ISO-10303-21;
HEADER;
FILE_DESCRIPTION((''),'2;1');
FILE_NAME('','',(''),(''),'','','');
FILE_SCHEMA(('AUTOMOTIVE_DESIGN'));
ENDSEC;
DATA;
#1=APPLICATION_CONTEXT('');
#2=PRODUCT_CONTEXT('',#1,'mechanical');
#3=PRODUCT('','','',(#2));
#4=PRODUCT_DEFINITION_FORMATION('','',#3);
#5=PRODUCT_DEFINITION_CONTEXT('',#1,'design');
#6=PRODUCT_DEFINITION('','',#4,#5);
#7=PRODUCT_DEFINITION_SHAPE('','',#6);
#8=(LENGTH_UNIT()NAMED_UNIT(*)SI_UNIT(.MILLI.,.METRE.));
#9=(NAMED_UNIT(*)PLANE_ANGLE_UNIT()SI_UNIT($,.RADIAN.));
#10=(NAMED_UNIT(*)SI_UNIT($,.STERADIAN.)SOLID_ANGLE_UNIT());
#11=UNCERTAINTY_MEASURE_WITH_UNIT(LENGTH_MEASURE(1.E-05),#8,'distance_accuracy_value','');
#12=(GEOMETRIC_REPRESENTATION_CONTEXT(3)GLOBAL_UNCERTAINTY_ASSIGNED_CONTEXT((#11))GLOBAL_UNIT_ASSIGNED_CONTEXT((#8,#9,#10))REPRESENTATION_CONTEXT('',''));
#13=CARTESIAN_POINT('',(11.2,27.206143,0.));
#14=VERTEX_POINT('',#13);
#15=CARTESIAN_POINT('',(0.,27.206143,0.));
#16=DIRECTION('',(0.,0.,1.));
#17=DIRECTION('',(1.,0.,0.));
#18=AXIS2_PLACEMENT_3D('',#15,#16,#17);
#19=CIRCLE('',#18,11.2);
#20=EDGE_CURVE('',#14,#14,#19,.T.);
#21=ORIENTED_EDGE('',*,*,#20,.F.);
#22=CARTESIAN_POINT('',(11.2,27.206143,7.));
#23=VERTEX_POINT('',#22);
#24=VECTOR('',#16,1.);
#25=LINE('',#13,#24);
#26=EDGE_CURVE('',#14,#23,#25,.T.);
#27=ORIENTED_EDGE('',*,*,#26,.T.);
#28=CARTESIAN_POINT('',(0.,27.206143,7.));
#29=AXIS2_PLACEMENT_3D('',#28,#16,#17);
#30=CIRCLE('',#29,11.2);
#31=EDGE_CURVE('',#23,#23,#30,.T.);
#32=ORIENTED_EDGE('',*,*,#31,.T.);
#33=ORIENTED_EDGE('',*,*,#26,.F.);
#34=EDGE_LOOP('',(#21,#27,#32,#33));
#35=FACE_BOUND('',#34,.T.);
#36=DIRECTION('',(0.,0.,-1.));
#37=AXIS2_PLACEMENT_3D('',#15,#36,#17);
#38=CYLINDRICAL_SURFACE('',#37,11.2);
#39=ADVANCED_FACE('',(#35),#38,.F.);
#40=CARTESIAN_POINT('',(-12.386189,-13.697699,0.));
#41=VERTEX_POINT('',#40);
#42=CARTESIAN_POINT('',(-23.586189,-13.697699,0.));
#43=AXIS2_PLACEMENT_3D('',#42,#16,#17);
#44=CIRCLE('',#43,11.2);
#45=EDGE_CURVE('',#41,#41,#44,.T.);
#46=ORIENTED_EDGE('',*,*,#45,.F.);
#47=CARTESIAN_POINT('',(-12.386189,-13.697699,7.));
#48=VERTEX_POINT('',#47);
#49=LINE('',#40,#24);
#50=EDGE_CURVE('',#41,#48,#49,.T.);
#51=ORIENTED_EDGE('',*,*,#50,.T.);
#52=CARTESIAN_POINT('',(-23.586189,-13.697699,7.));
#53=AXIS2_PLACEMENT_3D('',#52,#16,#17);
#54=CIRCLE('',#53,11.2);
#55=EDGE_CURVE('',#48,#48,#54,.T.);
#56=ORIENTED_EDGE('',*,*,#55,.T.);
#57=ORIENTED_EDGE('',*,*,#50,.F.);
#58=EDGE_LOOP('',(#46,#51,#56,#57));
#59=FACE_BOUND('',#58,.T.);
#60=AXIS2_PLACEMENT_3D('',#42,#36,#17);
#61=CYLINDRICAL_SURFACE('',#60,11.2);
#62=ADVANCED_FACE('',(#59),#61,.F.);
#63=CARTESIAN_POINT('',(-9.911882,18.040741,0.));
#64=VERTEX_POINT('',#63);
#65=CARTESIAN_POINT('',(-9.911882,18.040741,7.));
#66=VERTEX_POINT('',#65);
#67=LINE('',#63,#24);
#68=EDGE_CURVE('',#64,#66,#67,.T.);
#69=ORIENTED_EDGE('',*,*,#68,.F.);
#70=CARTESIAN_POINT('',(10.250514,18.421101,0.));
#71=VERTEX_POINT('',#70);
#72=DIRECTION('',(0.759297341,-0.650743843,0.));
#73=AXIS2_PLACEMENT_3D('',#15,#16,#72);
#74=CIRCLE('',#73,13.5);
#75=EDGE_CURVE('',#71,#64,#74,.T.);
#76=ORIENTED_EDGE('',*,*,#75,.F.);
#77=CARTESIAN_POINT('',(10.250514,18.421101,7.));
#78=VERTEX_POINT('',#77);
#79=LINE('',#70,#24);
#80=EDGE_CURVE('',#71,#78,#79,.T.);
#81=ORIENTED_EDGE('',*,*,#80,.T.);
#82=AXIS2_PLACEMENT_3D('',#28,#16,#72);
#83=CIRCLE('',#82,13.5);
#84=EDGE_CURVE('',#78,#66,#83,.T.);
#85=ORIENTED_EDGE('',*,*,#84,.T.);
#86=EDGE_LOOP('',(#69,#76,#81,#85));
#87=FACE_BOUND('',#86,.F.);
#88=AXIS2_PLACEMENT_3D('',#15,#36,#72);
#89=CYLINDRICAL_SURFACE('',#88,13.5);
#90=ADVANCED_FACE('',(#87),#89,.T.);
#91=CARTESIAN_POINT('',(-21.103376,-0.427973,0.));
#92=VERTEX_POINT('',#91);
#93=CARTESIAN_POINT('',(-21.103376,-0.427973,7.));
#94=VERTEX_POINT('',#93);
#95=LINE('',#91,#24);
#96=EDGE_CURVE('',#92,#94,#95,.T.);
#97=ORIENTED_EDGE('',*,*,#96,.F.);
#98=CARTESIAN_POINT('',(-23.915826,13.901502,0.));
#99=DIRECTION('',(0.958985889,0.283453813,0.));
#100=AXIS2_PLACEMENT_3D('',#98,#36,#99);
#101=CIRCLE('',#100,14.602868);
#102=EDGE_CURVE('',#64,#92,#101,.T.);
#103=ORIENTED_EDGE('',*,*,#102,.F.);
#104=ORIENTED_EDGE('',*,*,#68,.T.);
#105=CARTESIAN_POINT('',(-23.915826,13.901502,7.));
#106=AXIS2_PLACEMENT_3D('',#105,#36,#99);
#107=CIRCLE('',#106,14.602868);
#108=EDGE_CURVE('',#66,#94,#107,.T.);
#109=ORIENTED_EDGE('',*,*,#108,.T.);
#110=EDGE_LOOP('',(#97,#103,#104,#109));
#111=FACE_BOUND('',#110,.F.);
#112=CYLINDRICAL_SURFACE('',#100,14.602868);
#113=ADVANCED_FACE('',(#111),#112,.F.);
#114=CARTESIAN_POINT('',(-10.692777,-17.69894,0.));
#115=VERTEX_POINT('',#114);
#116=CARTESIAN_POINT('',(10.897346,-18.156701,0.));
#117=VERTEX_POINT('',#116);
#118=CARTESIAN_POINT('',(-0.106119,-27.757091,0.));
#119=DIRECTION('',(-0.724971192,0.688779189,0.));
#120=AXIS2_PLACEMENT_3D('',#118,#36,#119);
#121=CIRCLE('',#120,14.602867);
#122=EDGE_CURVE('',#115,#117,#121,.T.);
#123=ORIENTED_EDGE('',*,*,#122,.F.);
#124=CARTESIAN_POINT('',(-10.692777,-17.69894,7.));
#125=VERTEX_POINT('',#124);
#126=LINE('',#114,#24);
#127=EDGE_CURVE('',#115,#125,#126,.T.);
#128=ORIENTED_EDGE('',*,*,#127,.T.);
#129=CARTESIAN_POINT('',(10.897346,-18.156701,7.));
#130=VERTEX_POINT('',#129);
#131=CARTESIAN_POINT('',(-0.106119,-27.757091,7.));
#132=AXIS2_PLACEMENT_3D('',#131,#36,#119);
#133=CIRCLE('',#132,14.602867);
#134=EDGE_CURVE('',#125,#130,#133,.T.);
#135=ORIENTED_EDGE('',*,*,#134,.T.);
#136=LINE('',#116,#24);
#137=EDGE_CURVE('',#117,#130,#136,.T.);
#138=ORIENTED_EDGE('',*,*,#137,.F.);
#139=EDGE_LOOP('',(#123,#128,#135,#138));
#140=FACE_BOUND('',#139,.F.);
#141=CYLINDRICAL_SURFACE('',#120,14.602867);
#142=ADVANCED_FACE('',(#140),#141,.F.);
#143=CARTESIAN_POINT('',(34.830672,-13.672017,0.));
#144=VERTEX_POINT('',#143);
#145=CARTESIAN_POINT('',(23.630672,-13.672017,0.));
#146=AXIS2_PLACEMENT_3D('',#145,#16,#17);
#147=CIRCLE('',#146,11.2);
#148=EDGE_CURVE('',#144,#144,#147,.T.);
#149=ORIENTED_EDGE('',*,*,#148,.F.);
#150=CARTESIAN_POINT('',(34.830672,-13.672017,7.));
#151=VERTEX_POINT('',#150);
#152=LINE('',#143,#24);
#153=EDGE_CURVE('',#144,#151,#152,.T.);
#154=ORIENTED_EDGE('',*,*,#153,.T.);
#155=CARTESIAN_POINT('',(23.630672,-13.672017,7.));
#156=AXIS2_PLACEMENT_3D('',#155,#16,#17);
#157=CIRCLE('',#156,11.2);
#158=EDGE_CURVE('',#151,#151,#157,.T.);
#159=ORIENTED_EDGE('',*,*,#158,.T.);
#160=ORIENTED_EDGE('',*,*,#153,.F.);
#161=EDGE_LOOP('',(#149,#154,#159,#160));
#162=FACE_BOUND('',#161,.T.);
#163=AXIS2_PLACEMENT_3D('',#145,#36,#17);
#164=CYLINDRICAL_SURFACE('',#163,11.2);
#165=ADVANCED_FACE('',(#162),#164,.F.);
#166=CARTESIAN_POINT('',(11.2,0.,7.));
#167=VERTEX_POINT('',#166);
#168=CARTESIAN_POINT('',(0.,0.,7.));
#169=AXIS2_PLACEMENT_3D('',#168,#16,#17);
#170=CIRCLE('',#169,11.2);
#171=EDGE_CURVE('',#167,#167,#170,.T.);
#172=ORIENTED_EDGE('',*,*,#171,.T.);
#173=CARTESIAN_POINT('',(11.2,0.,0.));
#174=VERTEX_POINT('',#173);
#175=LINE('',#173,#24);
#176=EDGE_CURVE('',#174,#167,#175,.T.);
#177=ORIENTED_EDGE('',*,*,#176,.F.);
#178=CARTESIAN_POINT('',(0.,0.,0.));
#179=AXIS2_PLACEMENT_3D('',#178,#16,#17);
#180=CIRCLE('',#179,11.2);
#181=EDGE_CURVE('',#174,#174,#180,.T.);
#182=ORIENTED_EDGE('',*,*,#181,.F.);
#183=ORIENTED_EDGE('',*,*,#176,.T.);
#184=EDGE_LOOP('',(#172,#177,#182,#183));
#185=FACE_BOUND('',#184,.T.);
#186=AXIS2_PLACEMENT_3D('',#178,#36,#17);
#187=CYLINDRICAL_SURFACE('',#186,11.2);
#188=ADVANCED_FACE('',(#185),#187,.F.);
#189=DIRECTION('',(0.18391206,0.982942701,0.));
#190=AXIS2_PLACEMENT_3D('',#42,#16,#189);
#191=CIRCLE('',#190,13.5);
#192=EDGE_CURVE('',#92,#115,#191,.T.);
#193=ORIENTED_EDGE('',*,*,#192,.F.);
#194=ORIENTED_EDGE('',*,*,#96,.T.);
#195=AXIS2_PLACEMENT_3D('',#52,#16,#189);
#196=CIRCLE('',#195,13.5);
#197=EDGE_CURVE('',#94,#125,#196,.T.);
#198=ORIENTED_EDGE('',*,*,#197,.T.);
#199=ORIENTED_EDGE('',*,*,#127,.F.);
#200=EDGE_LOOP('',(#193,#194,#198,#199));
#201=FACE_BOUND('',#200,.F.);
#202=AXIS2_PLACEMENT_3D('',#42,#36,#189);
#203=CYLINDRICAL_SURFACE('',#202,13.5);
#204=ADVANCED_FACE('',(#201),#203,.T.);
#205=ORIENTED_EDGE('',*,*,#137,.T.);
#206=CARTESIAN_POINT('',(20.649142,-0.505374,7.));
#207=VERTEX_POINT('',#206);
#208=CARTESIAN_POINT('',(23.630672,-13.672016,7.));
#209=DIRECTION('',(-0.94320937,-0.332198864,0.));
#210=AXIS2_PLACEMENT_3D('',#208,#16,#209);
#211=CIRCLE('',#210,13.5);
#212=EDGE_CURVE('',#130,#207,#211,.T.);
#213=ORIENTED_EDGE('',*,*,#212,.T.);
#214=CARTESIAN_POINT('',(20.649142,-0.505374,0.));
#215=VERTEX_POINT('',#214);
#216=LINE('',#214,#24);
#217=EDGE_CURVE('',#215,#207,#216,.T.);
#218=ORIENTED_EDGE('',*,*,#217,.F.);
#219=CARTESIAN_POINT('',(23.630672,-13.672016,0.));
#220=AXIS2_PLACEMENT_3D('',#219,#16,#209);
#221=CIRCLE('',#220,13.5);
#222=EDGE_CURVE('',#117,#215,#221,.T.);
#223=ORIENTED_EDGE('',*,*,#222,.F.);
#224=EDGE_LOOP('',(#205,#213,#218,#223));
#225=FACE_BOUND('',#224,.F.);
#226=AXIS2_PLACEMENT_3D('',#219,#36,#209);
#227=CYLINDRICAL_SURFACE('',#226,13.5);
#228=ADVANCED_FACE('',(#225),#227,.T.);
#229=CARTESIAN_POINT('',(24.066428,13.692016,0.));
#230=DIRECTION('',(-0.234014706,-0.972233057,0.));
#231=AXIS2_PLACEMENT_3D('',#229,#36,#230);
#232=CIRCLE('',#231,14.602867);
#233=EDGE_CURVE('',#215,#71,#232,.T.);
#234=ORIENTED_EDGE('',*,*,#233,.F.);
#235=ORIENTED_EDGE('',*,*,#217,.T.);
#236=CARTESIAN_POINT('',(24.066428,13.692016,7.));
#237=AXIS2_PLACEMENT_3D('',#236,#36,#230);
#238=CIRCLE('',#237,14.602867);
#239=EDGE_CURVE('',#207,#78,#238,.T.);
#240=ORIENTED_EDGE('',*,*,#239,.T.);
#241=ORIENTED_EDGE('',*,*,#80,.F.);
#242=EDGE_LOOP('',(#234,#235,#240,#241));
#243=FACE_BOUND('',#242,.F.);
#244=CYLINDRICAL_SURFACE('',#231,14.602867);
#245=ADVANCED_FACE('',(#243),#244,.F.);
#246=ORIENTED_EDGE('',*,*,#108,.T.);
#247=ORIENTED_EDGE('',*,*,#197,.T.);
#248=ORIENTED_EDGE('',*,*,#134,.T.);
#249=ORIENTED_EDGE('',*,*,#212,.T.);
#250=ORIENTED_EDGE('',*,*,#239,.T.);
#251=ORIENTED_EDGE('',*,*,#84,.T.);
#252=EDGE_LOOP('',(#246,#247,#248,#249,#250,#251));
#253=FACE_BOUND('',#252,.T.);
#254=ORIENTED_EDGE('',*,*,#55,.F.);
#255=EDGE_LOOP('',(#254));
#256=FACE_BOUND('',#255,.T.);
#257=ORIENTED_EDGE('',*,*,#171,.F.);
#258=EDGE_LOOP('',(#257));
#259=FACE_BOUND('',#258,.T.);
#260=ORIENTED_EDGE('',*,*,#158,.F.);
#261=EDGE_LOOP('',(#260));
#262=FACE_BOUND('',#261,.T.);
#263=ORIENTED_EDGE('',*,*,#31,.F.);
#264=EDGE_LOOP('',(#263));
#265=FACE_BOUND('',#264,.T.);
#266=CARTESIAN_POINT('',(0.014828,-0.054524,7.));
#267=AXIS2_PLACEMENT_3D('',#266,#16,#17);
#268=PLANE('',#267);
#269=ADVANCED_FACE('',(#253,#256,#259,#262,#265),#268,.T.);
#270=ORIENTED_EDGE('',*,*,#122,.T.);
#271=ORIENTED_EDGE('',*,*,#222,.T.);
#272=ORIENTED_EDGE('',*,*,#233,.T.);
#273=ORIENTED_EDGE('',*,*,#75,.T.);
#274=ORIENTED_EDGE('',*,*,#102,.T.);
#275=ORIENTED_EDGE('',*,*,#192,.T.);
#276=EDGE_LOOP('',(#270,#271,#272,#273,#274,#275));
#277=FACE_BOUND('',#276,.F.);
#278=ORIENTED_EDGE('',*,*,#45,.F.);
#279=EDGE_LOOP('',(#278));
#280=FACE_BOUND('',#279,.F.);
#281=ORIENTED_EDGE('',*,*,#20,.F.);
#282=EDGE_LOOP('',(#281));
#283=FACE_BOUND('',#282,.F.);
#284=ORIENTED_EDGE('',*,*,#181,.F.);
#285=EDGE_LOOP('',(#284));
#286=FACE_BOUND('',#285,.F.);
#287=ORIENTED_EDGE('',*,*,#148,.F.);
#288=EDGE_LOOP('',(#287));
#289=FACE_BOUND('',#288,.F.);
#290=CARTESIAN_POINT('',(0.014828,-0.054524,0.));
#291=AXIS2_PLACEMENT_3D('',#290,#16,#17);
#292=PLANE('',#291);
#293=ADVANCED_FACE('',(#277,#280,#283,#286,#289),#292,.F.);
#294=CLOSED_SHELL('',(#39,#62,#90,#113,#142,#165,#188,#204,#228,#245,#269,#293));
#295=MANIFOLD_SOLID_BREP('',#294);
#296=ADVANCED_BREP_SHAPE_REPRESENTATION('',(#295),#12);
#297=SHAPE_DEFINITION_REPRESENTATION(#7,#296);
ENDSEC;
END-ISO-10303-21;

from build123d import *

# Parameters (mm, degrees)
F0_R     = 11.2
F1_DEPTH = 7


with BuildPart() as f1:
    # F0 (on Top) → F1 (new body)
    with BuildSketch(Plane.XY):
        with BuildLine():
            ThreePointArc((20.649142, -0.505374), (11.268043, 6.660297), (10.250514, 18.421101))
            ThreePointArc((10.250514, 18.421101), (-0.25463, 40.703741), (-9.911882, 18.040741))
            ThreePointArc((-9.911882, 18.040741), (-11.426986, 6.333635), (-21.103376, -0.427973))
            ThreePointArc((-21.103376, -0.427973), (-35.148137, -20.667014), (-10.692777, -17.69894))
            ThreePointArc((-10.692777, -17.69894), (0.203426, -13.157505), (10.897346, -18.156701))
            ThreePointArc((10.897346, -18.156701), (35.44725, -20.2003), (20.649142, -0.505374))
        make_face()
        with Locations((-23.586189, -13.697699)):
            Circle(F0_R, mode=Mode.SUBTRACT)
        Circle(F0_R, mode=Mode.SUBTRACT)
        with Locations((23.630672, -13.672017)):
            Circle(F0_R, mode=Mode.SUBTRACT)
        with Locations((0, 27.206143)):
            Circle(F0_R, mode=Mode.SUBTRACT)
    extrude(amount=F1_DEPTH)


solid = f1.part
